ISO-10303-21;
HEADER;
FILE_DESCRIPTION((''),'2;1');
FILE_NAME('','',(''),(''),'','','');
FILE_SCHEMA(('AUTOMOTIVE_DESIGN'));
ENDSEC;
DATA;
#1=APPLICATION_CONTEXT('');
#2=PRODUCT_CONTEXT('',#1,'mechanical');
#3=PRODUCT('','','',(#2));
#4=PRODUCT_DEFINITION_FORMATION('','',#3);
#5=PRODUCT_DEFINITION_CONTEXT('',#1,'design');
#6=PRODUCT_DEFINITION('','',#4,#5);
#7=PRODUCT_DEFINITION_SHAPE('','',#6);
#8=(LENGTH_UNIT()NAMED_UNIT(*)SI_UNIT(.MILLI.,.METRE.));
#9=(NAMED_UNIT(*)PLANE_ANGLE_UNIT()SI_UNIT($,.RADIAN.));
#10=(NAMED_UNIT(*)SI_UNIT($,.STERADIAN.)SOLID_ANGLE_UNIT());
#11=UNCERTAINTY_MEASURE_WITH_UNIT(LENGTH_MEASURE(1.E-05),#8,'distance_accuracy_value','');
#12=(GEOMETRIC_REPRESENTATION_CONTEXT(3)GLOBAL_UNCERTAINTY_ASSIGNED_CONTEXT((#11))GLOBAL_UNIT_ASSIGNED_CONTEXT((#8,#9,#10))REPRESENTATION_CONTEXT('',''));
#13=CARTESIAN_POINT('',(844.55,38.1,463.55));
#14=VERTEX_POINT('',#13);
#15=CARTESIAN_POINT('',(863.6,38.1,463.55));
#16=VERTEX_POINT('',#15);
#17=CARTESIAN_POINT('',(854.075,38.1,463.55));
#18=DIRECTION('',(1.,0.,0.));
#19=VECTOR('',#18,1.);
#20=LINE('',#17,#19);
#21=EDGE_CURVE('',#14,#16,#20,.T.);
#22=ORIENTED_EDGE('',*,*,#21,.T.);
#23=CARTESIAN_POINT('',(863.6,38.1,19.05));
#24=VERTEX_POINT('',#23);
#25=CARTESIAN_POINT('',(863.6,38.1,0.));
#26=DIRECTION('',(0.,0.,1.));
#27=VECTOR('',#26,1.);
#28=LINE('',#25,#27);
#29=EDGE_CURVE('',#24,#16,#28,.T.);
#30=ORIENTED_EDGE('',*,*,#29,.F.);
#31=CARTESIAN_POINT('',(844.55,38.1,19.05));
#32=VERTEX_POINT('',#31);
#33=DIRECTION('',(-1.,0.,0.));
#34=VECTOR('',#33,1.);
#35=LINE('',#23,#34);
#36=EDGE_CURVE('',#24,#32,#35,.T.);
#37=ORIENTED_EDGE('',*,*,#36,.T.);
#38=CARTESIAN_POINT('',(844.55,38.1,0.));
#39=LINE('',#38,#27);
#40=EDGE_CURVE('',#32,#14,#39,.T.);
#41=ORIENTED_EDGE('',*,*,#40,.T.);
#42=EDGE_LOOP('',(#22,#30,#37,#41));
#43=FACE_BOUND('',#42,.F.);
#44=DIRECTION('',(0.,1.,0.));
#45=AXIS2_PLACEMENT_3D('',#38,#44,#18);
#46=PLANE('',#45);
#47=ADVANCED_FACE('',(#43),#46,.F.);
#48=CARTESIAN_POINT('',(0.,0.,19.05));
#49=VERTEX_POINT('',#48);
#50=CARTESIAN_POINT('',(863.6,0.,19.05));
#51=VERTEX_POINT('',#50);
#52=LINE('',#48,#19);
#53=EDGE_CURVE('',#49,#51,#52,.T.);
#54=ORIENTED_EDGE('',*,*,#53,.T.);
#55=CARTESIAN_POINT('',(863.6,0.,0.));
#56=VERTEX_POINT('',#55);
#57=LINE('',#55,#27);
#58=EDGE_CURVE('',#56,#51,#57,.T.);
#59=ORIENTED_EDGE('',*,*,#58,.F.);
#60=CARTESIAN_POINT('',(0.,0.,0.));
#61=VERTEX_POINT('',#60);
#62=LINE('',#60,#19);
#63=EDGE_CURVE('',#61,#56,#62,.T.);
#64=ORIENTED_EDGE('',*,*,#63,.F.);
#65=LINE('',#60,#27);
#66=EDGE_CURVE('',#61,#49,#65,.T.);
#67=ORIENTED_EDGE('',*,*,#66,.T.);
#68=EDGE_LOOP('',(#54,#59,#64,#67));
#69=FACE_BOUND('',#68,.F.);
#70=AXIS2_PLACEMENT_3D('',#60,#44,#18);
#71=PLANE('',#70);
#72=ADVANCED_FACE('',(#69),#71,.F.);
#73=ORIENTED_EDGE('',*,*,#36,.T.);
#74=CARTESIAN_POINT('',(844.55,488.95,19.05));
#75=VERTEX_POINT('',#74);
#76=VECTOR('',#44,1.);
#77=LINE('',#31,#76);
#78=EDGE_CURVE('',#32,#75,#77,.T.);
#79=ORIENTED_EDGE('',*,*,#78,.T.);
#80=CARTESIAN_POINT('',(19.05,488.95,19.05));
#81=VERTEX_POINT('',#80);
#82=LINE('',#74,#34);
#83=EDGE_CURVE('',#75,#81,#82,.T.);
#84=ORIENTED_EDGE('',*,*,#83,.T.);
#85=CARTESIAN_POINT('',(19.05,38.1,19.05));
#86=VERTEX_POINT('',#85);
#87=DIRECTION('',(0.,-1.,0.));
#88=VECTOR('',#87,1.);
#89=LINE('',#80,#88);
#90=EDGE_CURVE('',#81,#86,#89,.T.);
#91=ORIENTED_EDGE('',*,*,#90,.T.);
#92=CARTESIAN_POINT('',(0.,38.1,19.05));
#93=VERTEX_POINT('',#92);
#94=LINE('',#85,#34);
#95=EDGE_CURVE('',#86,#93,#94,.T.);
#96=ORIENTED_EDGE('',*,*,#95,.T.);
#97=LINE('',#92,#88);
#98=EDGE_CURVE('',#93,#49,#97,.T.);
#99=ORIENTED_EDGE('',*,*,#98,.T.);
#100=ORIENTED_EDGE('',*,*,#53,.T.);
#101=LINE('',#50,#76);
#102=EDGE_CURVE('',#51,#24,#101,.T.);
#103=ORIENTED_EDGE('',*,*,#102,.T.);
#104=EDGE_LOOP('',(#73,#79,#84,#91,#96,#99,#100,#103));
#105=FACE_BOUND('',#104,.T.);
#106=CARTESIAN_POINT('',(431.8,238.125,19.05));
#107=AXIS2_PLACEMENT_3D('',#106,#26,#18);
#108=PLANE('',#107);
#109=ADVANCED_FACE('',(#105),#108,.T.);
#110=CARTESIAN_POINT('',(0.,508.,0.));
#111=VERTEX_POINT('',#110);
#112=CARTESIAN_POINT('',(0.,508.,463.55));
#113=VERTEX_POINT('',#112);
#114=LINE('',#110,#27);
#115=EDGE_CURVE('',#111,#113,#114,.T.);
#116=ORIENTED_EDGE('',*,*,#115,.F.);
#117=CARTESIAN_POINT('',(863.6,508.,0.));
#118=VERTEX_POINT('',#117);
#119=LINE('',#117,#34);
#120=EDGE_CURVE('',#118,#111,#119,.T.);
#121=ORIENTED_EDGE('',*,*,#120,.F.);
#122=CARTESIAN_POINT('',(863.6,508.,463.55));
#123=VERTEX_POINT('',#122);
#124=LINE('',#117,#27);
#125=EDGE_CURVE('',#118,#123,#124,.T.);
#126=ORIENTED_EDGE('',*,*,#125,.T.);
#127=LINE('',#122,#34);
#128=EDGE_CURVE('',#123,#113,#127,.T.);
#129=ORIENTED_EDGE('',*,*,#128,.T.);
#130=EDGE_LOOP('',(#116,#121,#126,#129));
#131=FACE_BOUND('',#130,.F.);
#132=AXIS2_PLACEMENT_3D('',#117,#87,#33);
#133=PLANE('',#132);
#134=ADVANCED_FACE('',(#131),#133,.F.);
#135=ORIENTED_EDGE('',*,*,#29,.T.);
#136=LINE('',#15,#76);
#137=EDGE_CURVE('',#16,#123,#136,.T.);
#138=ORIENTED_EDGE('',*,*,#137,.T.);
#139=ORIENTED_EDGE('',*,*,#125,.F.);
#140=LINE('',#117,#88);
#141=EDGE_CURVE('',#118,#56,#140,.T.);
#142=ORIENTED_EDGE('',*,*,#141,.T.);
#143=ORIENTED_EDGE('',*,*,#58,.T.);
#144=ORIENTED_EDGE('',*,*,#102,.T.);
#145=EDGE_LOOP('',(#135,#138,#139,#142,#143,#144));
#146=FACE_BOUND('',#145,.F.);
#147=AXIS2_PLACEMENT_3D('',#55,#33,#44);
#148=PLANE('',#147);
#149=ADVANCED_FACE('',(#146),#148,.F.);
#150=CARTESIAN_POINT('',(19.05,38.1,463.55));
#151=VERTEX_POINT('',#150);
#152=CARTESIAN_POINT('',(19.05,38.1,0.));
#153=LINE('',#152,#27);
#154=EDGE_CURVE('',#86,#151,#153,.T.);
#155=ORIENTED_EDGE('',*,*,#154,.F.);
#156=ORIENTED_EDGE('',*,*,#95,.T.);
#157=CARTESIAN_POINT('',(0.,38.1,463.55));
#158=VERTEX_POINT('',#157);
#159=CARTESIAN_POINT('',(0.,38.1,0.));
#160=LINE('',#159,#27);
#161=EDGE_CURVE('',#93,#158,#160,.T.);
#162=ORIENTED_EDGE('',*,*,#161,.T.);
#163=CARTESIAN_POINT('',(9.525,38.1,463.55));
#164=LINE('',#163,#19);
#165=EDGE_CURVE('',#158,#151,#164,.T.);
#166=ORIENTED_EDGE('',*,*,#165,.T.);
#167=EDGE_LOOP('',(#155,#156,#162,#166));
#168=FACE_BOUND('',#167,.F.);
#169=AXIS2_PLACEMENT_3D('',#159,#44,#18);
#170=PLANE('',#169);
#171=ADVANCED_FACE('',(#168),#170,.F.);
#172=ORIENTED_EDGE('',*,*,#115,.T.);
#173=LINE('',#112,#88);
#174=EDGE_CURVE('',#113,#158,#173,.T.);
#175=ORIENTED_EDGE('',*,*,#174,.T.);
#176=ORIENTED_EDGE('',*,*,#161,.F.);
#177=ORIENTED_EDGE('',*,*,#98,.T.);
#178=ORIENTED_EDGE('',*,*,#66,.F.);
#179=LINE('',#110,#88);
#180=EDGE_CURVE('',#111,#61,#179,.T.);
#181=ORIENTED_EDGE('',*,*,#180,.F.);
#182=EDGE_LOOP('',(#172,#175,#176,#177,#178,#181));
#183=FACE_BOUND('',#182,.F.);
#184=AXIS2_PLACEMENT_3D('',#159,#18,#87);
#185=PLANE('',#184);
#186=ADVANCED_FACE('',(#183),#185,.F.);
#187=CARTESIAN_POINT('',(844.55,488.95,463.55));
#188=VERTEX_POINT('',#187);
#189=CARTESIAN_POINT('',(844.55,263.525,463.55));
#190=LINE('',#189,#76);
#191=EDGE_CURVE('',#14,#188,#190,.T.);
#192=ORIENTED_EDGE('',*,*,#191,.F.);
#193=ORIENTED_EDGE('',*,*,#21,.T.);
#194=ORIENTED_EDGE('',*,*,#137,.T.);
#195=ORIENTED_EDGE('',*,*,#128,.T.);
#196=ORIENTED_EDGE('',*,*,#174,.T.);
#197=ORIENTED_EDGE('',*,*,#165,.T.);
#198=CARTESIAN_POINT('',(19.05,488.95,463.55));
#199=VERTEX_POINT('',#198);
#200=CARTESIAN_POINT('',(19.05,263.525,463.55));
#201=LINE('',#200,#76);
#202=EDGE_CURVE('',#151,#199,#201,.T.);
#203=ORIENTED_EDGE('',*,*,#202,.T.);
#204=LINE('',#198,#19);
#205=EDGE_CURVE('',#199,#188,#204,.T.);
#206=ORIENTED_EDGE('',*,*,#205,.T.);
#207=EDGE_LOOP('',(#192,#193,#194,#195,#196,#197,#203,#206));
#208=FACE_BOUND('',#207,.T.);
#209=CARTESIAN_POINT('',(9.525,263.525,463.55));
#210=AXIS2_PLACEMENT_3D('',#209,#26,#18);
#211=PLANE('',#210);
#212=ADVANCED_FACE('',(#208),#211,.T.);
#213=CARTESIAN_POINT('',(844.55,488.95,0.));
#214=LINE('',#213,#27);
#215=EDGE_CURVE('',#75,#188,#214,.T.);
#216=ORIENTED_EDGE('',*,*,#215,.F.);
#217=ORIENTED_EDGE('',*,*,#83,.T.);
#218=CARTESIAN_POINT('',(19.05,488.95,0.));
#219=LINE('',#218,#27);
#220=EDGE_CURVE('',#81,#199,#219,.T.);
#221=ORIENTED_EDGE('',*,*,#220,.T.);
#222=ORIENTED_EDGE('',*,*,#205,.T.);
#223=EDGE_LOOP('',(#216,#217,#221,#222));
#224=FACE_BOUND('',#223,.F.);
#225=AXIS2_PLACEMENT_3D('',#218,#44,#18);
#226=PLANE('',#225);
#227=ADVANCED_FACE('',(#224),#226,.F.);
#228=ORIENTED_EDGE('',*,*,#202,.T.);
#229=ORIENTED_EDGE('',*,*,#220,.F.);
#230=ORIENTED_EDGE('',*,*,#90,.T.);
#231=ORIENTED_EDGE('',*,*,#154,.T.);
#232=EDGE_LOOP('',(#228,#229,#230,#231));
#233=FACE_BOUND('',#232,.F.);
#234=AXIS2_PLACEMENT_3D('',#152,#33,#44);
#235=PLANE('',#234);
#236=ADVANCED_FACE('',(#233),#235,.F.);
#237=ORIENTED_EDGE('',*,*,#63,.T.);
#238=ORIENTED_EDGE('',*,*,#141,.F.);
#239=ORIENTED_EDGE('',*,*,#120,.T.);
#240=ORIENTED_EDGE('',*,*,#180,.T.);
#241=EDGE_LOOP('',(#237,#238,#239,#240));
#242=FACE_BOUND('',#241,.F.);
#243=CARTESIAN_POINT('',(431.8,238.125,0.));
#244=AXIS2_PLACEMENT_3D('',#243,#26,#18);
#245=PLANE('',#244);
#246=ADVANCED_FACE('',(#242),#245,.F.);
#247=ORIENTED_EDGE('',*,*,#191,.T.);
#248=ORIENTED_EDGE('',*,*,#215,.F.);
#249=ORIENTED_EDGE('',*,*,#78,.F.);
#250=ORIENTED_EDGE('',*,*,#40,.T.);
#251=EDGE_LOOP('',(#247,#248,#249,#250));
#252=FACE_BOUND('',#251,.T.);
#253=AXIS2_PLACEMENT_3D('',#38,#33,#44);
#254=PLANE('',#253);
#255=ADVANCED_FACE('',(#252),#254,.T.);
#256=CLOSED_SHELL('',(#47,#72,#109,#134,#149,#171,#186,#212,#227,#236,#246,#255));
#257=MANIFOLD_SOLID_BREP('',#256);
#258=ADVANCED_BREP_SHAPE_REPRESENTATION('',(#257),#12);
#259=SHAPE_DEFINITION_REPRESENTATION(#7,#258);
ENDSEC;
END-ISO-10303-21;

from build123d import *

# Parameters (mm, degrees)
F0_W     = 19.05
F0_H     = 450.85
F1_DEPTH = 463.55
F2_DEPTH = 19.05


with BuildPart() as f1:
    # F0 (on Top) → F1 (new body)
    with BuildSketch(Plane.XY):
        with Locations((9.525, 263.525)):
            Rectangle(F0_W, F0_H)
        Polygon((0, 508), (0, 488.95), (19.05, 488.95), (844.55, 488.95), (863.6, 488.95), (863.6, 508), align=None)
        with Locations((854.075, 263.525)):
            Rectangle(F0_W, F0_H)
    extrude(amount=F1_DEPTH)

    # F0 (on Top) → F2 (join)
    with BuildSketch(Plane.XY):
        Polygon((0, 38.1), (0, 0), (863.6, 0), (863.6, 38.1), (844.55, 38.1), (844.55, 488.95), (19.05, 488.95), (19.05, 38.1), align=None)
    extrude(amount=F2_DEPTH)


solid = f1.part
